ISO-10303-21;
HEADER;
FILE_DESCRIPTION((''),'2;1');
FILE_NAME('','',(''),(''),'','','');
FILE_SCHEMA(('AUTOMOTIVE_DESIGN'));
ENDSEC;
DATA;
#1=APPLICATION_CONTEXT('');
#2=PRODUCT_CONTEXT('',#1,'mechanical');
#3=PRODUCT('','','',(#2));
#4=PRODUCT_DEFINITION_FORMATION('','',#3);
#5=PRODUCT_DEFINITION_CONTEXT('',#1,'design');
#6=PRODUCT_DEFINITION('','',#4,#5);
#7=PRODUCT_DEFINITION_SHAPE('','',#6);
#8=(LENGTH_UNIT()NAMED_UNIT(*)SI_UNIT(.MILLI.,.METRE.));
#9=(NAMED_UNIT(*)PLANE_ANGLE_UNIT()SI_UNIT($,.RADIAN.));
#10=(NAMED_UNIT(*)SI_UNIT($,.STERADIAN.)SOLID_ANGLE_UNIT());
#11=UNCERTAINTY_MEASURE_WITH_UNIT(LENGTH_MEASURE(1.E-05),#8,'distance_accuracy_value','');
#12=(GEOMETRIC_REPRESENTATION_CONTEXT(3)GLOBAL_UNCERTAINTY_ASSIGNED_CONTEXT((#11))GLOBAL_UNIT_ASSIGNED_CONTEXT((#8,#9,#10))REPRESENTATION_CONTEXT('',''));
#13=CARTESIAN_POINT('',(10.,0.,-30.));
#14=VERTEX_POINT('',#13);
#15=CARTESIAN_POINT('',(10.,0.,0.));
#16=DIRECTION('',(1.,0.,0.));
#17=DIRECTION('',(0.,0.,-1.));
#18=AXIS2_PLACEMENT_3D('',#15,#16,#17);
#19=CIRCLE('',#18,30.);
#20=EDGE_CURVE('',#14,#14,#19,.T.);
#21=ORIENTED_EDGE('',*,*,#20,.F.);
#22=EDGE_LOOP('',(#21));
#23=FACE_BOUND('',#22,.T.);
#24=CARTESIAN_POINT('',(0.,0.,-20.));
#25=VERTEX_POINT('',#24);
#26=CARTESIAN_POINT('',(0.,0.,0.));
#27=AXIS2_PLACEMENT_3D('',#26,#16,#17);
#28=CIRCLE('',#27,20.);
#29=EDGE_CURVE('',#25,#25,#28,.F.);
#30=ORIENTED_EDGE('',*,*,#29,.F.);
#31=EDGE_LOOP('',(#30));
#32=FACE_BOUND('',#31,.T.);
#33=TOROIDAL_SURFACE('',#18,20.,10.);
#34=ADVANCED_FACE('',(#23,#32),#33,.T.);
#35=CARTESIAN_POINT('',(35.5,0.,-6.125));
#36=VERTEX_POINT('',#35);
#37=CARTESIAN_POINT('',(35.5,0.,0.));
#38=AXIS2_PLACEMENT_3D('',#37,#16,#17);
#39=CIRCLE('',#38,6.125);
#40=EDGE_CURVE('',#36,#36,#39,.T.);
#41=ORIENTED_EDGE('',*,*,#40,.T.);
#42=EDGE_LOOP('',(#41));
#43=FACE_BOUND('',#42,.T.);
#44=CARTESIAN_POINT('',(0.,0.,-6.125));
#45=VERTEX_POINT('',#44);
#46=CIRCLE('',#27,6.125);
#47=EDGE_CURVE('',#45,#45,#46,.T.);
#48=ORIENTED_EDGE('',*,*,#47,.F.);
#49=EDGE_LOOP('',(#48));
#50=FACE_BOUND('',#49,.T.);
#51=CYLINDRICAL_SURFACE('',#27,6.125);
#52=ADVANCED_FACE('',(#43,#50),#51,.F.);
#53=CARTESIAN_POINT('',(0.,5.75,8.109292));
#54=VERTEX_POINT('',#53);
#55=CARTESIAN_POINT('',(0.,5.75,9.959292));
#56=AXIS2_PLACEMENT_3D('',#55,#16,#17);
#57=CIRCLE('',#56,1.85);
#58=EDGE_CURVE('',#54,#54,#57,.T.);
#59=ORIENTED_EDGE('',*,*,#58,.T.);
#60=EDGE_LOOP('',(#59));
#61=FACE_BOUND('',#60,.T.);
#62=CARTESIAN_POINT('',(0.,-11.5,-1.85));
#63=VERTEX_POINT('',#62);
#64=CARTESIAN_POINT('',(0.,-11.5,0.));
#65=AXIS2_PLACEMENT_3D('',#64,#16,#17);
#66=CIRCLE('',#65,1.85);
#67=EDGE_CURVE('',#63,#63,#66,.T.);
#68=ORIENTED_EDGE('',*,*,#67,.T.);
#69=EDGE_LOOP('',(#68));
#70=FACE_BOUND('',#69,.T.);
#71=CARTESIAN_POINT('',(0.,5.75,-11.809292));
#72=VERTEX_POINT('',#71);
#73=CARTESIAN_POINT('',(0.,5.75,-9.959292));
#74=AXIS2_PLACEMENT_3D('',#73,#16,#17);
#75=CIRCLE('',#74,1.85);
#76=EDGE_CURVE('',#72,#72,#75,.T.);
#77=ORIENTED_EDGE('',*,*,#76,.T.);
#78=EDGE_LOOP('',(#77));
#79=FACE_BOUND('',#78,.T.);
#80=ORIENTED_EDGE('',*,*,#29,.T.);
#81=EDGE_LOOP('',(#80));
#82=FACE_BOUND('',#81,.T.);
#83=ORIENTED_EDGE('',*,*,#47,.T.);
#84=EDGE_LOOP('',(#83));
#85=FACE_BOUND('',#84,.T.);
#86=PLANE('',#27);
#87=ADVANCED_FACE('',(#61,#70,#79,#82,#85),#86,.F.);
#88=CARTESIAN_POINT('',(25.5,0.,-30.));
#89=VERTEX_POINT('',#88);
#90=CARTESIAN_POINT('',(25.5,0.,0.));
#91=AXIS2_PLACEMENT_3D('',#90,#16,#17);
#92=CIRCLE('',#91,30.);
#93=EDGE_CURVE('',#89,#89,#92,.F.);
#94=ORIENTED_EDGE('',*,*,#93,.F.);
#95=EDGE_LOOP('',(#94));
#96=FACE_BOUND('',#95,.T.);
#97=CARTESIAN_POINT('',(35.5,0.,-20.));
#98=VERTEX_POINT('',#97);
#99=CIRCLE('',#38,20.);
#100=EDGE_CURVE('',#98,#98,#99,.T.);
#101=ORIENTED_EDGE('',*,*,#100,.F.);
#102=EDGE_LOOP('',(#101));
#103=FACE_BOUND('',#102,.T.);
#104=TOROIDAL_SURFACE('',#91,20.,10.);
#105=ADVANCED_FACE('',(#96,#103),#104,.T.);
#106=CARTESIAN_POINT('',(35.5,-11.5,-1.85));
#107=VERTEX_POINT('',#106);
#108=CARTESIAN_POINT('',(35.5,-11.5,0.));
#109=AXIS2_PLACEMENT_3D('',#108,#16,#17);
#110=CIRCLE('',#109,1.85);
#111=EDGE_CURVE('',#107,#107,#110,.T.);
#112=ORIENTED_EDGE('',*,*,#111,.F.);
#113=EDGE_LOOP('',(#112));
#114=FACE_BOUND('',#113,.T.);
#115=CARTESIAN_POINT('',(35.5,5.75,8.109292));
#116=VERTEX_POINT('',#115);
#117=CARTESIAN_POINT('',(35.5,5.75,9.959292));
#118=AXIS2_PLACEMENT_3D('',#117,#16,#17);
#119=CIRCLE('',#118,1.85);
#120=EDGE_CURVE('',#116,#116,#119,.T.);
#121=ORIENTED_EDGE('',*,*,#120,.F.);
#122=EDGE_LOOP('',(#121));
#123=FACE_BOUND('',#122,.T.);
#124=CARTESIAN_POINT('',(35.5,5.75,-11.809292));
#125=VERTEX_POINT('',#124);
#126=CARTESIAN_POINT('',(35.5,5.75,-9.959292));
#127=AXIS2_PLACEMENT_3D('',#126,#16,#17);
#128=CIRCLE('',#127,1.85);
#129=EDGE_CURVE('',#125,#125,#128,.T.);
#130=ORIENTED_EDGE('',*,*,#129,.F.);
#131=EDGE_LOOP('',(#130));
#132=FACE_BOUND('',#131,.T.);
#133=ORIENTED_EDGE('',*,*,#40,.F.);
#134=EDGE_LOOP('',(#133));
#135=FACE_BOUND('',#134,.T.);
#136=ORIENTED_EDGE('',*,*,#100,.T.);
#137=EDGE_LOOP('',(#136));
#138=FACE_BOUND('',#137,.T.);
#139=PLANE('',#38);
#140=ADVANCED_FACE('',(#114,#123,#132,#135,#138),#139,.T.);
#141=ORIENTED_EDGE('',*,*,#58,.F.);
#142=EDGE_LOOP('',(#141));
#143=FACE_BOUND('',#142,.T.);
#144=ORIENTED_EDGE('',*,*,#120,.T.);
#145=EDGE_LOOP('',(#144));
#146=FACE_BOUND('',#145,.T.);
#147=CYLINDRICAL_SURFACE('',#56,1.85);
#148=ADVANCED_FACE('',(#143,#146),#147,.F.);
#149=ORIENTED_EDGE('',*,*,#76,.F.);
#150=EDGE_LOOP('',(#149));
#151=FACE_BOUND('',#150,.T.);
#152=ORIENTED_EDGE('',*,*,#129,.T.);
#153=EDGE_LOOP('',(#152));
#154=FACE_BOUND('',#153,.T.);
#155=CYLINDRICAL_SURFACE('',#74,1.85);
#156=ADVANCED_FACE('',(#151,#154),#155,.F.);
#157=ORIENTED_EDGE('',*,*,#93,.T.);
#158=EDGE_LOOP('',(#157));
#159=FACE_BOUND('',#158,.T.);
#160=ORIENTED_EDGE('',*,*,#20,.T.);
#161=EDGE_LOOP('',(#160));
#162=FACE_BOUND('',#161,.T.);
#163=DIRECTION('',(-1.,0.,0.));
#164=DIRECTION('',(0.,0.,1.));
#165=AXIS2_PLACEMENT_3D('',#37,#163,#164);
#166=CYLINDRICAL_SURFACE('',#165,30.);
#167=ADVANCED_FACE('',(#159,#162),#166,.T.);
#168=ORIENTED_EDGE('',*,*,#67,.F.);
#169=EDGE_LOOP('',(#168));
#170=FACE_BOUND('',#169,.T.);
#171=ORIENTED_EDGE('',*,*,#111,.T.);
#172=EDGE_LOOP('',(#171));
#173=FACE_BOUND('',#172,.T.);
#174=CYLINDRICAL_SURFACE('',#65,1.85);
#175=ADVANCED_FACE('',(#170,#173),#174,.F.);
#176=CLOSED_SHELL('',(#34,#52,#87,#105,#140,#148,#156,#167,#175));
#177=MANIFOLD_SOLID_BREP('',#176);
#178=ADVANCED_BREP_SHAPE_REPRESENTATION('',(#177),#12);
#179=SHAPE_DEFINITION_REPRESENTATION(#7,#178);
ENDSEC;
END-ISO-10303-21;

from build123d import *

# Parameters (mm, degrees)
SKETCH1_R           = 30
BOSS_EXTRUDE1_DEPTH = 35.5
SKETCH2_R           = 6.125
SKETCH2_R_2         = 1.85
CUT_EXTRUDE1_DEPTH  = 56.31952639
FILLET1_R           = 10


with BuildPart() as part:
    # Sketch1 → Boss-Extrude1 (new body)
    with BuildSketch(Plane(origin=(0, 0, 0), x_dir=(0, 0, -1), z_dir=(1, 0, 0))):
        Circle(SKETCH1_R)
    extrude(amount=BOSS_EXTRUDE1_DEPTH)

    # Sketch2 → Cut-Extrude1 (cut, through all)
    with BuildSketch(Plane(origin=(35.5, 0, 0), x_dir=(0, 0, -1), z_dir=(1, 0, 0))):
        Circle(SKETCH2_R)
        with Locations((-9.959292144, 5.75)):
            Circle(SKETCH2_R_2)
        with Locations((9.959292144, 5.75)):
            Circle(SKETCH2_R_2)
        with Locations((0, -11.5)):
            Circle(SKETCH2_R_2)
    extrude(amount=-CUT_EXTRUDE1_DEPTH, mode=Mode.SUBTRACT)

    # Fillet1
    fillet1_edges = [part.edges().sort_by_distance(p)[0] for p in [
        (0, 0, 30),
        (35.5, 0, 30),
    ]]
    fillet(fillet1_edges, radius=FILLET1_R)


solid = part.part
